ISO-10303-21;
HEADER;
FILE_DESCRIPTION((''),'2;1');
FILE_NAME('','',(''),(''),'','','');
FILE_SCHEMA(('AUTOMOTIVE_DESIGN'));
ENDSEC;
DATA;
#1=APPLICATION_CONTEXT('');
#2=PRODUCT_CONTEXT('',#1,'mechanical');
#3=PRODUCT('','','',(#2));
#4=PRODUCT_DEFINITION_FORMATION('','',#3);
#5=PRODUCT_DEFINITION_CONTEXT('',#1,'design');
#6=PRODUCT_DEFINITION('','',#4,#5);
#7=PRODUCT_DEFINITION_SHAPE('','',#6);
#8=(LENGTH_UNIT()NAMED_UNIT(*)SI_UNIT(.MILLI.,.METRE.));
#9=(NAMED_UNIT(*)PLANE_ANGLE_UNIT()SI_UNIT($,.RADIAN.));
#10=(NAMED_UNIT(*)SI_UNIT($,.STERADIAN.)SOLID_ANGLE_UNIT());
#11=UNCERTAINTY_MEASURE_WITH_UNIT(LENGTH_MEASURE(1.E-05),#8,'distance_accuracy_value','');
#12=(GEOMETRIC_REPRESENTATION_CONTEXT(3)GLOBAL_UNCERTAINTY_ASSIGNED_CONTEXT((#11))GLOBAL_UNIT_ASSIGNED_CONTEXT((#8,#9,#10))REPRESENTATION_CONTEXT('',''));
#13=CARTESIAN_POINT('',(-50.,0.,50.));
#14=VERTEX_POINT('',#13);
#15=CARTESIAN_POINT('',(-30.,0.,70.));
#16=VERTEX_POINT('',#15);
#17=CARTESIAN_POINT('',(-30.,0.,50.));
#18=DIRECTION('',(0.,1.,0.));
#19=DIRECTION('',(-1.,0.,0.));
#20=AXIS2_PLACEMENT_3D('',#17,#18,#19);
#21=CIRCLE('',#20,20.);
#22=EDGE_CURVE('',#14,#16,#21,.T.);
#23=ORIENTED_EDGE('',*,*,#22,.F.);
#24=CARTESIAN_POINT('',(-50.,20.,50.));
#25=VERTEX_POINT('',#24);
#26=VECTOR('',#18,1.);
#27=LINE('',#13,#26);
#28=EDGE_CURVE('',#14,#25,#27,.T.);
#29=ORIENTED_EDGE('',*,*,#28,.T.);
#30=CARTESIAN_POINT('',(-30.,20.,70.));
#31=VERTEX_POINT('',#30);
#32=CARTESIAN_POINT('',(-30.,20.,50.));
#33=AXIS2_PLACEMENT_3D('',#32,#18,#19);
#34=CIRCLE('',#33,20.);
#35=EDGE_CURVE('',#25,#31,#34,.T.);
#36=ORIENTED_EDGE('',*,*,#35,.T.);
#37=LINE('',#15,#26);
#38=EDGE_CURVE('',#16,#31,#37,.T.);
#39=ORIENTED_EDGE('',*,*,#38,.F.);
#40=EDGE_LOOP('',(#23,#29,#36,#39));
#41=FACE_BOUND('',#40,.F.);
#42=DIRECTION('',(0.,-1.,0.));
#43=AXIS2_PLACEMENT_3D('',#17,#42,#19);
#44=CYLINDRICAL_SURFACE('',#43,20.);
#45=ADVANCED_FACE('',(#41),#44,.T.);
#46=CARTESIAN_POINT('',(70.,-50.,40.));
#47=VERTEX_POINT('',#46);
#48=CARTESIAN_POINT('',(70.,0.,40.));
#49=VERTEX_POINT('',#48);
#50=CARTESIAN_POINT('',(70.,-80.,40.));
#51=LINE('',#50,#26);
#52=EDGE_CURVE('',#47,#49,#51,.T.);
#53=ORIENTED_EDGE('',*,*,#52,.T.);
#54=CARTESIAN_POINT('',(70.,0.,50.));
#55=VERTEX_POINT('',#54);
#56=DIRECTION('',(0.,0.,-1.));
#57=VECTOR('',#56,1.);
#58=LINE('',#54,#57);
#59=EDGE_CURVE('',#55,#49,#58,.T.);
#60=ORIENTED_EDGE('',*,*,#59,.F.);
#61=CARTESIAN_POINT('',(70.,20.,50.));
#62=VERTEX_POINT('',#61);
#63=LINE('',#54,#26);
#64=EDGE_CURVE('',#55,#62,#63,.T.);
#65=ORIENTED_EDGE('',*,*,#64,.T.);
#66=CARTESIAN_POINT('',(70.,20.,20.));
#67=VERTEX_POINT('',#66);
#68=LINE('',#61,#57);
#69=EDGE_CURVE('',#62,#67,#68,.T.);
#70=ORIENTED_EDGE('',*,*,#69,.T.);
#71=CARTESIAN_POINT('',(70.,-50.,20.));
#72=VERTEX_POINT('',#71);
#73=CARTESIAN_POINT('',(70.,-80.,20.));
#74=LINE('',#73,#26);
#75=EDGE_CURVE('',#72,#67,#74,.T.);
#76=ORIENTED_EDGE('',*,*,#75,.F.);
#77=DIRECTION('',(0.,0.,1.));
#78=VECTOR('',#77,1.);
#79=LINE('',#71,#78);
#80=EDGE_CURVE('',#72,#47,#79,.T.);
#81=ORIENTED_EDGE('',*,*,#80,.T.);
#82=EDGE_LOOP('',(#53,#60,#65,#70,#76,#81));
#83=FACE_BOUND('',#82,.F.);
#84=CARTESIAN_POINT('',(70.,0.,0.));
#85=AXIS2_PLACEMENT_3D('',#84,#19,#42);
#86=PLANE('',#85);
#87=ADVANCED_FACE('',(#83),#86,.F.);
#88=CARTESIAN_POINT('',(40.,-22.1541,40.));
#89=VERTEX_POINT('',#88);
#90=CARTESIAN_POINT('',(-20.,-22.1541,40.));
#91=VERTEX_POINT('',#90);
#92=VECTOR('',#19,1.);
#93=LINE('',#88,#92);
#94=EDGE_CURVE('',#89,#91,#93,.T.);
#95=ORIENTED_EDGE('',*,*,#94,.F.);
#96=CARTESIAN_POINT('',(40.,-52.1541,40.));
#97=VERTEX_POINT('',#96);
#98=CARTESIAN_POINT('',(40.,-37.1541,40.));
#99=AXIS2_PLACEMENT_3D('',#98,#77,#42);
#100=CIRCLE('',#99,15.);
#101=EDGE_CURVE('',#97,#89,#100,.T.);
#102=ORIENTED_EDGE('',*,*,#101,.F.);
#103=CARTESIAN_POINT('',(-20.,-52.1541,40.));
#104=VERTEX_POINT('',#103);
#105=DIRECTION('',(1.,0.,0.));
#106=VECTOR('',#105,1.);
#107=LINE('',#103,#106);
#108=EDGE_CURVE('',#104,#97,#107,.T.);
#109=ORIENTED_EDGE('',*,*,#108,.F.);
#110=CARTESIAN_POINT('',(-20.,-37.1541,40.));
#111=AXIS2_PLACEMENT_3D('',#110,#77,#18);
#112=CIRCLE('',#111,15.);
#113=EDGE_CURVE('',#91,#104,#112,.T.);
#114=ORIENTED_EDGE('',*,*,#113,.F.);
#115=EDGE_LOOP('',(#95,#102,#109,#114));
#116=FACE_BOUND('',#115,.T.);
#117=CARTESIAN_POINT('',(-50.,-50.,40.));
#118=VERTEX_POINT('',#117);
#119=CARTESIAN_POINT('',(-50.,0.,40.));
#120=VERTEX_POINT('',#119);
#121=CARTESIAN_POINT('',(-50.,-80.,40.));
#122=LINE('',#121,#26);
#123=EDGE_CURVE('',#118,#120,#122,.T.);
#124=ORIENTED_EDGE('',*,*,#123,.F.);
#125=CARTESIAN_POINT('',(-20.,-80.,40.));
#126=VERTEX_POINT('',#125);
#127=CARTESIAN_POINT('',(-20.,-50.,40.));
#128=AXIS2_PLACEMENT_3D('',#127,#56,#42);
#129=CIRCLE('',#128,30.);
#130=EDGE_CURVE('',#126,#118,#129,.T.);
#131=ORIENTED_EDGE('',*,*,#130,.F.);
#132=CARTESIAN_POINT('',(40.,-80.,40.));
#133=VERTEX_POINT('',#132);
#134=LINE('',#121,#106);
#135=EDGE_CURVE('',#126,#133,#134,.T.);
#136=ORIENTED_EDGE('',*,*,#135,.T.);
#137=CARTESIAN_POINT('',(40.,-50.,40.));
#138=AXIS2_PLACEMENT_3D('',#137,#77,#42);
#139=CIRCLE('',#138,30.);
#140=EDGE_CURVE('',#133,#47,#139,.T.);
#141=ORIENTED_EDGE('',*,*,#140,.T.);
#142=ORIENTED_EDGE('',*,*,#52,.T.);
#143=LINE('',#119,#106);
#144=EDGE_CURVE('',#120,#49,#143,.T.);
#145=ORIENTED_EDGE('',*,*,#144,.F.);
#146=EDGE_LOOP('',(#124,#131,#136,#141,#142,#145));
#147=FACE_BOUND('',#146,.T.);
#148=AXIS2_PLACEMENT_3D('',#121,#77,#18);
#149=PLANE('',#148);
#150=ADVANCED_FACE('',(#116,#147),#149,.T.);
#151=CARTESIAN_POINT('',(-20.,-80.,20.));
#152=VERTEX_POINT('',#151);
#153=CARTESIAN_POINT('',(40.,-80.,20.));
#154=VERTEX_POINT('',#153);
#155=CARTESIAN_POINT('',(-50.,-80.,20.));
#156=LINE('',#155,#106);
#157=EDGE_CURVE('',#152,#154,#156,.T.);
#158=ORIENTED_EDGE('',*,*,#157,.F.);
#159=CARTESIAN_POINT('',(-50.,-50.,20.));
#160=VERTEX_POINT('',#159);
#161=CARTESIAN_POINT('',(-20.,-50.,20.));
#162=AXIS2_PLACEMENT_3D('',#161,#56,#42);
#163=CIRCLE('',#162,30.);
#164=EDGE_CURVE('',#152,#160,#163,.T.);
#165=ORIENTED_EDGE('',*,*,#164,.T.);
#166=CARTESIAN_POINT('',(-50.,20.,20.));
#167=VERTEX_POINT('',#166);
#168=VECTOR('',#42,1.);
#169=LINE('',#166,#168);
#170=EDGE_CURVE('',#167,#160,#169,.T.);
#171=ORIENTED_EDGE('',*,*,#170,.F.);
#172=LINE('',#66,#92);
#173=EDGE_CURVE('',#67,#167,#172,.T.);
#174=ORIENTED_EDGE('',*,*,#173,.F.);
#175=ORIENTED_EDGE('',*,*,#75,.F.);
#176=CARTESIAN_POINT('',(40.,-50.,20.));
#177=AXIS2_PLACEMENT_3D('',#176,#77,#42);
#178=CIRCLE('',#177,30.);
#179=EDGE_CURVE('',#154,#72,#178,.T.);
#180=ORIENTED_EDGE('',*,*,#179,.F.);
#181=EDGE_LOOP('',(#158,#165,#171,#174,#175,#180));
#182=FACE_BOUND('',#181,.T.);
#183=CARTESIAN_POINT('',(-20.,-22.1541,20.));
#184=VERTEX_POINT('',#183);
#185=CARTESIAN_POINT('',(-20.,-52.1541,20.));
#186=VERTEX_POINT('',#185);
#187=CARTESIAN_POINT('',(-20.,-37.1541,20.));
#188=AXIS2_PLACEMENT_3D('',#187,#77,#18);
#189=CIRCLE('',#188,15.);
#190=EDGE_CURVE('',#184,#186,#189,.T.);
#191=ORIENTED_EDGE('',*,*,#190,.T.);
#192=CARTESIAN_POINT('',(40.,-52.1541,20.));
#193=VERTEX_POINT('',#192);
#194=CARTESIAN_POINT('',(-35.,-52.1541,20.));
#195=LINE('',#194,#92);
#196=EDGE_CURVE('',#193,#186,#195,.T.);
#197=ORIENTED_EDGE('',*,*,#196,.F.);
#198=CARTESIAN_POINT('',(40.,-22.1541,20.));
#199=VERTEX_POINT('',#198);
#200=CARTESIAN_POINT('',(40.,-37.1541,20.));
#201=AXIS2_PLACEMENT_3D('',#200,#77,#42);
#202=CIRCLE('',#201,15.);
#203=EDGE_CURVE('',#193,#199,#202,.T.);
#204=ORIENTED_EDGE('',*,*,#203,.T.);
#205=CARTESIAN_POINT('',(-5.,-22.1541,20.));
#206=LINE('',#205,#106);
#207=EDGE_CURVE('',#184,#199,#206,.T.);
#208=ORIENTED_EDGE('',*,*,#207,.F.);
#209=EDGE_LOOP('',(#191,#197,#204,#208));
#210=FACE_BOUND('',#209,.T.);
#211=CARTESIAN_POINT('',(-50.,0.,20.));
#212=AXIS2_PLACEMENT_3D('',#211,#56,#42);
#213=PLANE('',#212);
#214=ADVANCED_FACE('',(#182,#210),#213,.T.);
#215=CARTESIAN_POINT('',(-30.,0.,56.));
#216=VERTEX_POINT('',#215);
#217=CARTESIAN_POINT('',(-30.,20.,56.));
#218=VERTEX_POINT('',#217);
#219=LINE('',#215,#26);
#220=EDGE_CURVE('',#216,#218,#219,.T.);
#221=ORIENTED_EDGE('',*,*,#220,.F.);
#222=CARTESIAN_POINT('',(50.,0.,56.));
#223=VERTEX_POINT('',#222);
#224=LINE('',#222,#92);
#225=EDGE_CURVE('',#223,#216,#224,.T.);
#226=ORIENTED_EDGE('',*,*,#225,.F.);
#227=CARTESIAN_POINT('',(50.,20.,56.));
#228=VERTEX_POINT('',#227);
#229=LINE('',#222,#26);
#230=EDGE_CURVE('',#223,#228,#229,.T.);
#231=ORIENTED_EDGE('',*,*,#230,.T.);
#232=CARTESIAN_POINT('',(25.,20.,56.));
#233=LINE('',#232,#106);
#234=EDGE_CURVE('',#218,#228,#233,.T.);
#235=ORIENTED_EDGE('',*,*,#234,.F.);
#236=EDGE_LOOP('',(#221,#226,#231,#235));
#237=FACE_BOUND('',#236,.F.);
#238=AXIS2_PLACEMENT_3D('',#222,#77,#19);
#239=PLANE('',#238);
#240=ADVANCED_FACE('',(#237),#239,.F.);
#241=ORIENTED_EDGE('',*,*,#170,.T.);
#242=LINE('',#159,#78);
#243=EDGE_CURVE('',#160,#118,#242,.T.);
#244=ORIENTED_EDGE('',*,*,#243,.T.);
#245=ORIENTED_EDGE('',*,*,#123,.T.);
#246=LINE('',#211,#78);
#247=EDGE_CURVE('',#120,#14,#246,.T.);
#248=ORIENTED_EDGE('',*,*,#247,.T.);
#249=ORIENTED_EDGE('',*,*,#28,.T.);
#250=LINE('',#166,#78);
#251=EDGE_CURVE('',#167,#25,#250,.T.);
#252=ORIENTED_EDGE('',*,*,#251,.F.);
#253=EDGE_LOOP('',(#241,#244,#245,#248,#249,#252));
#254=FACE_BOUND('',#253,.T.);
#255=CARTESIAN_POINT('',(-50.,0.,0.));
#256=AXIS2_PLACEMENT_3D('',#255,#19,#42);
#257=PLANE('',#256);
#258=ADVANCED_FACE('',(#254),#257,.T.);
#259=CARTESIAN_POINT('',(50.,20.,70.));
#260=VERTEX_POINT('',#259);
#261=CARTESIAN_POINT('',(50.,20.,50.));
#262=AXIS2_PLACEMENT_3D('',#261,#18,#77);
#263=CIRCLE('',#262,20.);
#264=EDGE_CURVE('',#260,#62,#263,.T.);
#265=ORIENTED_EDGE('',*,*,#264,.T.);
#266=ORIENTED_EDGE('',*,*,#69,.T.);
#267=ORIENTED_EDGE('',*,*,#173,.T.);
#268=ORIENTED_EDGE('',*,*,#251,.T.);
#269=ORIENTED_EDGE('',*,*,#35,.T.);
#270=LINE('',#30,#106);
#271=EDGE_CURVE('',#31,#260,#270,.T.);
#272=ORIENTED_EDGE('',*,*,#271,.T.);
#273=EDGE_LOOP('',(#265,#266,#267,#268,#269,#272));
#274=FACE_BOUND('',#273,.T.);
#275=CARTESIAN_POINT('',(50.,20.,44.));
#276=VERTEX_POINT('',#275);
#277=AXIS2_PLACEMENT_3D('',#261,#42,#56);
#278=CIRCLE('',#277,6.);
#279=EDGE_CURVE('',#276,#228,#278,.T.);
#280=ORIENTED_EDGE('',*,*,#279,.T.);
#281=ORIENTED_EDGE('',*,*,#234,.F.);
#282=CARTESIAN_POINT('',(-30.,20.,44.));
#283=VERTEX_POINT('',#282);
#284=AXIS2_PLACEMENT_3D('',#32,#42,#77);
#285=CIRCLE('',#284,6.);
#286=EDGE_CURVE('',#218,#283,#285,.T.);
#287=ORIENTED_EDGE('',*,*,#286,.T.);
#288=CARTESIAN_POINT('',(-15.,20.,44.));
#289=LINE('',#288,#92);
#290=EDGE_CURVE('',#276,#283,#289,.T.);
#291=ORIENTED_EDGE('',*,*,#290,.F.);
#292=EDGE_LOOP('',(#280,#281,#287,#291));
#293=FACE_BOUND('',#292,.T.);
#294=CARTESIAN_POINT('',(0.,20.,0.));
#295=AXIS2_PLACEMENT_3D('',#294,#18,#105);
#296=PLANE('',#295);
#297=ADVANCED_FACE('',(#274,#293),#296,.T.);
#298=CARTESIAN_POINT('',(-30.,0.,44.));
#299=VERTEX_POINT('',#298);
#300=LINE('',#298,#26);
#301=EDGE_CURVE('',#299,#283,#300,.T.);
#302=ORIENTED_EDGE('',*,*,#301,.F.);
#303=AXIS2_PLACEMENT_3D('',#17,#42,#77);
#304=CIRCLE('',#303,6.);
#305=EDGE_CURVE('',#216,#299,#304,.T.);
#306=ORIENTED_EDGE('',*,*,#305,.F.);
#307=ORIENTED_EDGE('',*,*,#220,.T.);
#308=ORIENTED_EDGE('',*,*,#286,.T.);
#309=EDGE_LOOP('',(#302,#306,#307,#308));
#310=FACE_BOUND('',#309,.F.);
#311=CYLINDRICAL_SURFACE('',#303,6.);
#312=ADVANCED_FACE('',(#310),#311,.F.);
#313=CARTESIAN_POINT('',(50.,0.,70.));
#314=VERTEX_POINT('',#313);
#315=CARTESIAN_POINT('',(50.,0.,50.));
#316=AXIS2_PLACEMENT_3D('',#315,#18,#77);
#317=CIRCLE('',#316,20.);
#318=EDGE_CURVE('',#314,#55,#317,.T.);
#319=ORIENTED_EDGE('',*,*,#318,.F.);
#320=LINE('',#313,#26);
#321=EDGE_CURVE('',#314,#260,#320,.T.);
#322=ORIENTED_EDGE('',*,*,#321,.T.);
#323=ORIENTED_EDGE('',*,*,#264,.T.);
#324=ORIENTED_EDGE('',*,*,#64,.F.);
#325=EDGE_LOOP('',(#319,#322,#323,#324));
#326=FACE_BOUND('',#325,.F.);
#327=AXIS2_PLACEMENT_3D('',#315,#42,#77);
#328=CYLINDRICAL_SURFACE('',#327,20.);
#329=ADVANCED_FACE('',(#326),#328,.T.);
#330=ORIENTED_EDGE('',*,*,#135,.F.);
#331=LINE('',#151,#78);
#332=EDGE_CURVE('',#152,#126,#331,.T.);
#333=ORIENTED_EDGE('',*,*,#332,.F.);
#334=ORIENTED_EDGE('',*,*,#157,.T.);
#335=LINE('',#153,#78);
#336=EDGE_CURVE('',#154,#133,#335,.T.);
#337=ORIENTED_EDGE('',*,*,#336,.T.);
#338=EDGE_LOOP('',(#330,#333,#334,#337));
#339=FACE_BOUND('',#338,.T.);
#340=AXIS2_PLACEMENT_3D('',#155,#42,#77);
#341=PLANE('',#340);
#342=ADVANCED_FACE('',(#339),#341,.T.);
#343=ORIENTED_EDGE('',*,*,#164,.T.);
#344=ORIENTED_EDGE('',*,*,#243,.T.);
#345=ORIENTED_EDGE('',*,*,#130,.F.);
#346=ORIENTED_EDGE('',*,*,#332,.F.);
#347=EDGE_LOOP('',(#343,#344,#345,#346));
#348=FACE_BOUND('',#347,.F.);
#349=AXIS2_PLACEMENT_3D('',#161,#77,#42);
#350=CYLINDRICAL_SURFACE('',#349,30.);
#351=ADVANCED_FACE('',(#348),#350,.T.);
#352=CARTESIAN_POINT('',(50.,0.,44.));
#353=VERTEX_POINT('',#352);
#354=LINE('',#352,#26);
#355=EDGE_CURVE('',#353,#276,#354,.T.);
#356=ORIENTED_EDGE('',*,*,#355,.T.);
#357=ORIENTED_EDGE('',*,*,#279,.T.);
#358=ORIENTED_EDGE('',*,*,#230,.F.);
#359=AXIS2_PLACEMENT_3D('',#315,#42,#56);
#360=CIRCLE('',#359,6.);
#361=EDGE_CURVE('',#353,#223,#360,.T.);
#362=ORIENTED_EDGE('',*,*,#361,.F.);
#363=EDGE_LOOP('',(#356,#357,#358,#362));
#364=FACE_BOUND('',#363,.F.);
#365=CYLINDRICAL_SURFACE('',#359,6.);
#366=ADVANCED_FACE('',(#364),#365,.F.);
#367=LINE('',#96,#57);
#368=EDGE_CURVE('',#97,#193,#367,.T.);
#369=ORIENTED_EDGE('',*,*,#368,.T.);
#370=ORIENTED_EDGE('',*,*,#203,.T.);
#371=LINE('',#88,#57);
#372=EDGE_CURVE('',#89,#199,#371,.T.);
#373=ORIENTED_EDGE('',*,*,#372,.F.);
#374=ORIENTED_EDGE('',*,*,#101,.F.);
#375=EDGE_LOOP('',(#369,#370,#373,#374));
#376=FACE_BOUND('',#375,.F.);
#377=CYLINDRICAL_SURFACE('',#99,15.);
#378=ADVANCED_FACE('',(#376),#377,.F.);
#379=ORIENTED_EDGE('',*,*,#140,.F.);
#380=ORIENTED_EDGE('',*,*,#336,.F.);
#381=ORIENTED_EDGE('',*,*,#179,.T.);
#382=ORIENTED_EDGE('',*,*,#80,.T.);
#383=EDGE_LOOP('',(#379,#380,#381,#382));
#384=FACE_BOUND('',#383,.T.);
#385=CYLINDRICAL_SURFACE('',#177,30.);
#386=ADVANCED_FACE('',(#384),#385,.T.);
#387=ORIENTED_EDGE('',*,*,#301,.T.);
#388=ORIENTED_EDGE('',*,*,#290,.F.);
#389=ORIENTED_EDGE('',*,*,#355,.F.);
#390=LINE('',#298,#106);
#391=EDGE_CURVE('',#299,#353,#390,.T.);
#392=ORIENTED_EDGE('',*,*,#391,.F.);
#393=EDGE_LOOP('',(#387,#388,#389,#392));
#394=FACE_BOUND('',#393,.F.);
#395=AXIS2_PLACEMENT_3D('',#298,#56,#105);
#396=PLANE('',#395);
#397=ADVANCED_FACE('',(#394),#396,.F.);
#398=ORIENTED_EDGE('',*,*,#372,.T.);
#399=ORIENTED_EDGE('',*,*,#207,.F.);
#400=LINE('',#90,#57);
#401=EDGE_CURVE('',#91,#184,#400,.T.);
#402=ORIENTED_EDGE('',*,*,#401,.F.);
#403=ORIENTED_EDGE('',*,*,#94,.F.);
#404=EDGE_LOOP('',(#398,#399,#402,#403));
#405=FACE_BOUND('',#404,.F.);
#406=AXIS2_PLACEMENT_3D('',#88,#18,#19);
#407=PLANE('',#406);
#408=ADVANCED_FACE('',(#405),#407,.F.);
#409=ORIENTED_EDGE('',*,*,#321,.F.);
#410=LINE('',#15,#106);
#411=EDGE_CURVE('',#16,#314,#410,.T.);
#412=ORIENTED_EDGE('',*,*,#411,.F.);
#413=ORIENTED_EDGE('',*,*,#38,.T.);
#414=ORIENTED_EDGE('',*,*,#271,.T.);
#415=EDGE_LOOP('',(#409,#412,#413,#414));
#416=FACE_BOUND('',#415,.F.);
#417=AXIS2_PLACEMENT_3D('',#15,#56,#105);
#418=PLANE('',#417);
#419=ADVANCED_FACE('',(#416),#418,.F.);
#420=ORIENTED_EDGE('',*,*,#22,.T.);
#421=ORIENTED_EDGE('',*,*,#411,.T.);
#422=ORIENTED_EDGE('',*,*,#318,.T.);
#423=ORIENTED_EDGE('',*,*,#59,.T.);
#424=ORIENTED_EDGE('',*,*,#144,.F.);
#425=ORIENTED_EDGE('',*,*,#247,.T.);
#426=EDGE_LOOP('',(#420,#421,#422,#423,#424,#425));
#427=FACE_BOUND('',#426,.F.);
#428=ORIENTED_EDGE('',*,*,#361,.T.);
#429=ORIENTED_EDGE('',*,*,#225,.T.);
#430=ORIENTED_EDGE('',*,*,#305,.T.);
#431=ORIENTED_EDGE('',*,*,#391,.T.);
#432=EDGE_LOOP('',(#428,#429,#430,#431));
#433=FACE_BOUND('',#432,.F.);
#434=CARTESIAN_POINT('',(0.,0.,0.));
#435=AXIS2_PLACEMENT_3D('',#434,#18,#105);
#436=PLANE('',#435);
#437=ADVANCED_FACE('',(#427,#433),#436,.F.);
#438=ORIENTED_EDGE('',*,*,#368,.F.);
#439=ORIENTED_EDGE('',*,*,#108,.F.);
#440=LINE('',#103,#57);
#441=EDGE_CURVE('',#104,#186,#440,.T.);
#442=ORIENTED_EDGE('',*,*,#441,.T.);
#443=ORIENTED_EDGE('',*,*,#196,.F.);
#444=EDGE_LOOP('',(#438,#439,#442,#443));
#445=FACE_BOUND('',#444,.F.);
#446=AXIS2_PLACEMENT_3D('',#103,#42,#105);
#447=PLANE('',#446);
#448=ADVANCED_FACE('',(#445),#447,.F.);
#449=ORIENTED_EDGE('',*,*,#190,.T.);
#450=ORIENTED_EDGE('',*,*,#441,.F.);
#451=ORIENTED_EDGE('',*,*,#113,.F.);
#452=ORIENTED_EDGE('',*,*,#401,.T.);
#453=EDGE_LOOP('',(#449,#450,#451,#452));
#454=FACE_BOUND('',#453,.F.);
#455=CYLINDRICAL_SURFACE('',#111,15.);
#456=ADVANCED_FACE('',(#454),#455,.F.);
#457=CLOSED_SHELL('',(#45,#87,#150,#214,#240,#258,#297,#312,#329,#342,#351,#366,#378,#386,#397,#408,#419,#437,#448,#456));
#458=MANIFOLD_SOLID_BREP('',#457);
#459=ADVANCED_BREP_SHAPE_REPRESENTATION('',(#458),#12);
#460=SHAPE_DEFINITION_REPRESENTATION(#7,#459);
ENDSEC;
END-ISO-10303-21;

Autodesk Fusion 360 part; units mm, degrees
sketch "Sketch1" plane through (0, 0, 0) normal (0, 1, 0) x (1, 0, 0)
  line L0 (-30, -70) -> (50, -70)
  line L1 (70, -50) -> (70, -20)
  line L2 (70, -20) -> (-50, -20)
  line L3 (-50, -20) -> (-50, -50)
  arc A0 (50, -70) -> (70, -50) centre (50, -50) ccw
  arc A1 (-50, -50) -> (-30, -70) centre (-30, -50) ccw
  point P0 (-50, -70)
  point P1 (70, -70)
  dimension "d1" = 120
  dimension "d2" = 50
  dimension "d3" = 20
  dimension "d4" = 20
extrude "Extrude1" add sketch "Sketch1" along normal blind 20
sketch "Sketch2" plane through (0, 0, 0) normal (0, -1, 0) x (1, 0, 0)
  arc A0 (-30, 70) -> (-50, 50) centre (-30, 50) ccw
  line L0 (-50, 50) -> (-50, 20)
  line L1 (-50, 20) -> (70, 20)
  line L2 (70, 20) -> (70, 50)
  arc A1 (70, 50) -> (50, 70) centre (50, 50) ccw
  line L3 (50, 70) -> (-30, 70)
  line L4 (-30, 44) -> (50, 44)
  arc A2 (50, 44) -> (50, 56) centre (50, 50) ccw
  line L5 (50, 56) -> (-30, 56)
  arc A3 (-30, 56) -> (-30, 44) centre (-30, 50) ccw
  line L6 (-30, 50) -> (50, 50) construction
  dimension "d7" = 12
extrude "Extrude2" cut sketch "Sketch2" against normal blind 120 contours L4 A2 L5 A3
sketch "Sketch3" plane through (-50, 0, 0) normal (-1, 0, 0) x (0, -1, 0)
  line L0 (0, 20) -> (0, 50)
  line L1 (0, 50) -> (-20, 50)
  line L2 (-20, 50) -> (-20, 20)
  line L3 (-20, 20) -> (0, 20)
  line L4 (-20, 20) -> (80, 20)
  line L5 (80, 20) -> (80, 40)
  line L6 (80, 40) -> (-20, 40)
  line L7 (-20, 40) -> (-20, 20)
  dimension "d13" = 100
  dimension "d14" = 20
extrude "Extrude3" add sketch "Sketch3" against normal blind 120 contours L0 L4 L5 L6
fillet "Fillet1" radius 30 1 edges at (-50, -80, 30)
fillet "Fillet2" radius 30 1 edges at (70, -80, 30)
sketch "Sketch4" plane through (0, 0, 40) normal (0, 0, 1) x (-1, 0, 0)
  arc A0 (-40, 80) -> (-70, 50) centre (-40, 50) ccw
  line L0 (-70, 50) -> (-70, 0)
  line L1 (-70, 0) -> (50, 0)
  line L2 (50, 0) -> (50, 50)
  arc A1 (50, 50) -> (20, 80) centre (20, 50) ccw
  line L3 (20, 80) -> (-40, 80)
  line L4 (20, 52.1541) -> (-40, 52.1541)
  arc A2 (-40, 52.1541) -> (-40, 22.1541) centre (-40, 37.1541) ccw
  line L5 (-40, 22.1541) -> (20, 22.1541)
  arc A3 (20, 22.1541) -> (20, 52.1541) centre (20, 37.1541) ccw
  line L6 (20, 37.1541) -> (-40, 37.1541) construction
  dimension "d21" = 30
  dimension "d24" = 30
extrude "Extrude4" cut sketch "Sketch4" against normal blind 80 contours L4 A2 L5 A3
